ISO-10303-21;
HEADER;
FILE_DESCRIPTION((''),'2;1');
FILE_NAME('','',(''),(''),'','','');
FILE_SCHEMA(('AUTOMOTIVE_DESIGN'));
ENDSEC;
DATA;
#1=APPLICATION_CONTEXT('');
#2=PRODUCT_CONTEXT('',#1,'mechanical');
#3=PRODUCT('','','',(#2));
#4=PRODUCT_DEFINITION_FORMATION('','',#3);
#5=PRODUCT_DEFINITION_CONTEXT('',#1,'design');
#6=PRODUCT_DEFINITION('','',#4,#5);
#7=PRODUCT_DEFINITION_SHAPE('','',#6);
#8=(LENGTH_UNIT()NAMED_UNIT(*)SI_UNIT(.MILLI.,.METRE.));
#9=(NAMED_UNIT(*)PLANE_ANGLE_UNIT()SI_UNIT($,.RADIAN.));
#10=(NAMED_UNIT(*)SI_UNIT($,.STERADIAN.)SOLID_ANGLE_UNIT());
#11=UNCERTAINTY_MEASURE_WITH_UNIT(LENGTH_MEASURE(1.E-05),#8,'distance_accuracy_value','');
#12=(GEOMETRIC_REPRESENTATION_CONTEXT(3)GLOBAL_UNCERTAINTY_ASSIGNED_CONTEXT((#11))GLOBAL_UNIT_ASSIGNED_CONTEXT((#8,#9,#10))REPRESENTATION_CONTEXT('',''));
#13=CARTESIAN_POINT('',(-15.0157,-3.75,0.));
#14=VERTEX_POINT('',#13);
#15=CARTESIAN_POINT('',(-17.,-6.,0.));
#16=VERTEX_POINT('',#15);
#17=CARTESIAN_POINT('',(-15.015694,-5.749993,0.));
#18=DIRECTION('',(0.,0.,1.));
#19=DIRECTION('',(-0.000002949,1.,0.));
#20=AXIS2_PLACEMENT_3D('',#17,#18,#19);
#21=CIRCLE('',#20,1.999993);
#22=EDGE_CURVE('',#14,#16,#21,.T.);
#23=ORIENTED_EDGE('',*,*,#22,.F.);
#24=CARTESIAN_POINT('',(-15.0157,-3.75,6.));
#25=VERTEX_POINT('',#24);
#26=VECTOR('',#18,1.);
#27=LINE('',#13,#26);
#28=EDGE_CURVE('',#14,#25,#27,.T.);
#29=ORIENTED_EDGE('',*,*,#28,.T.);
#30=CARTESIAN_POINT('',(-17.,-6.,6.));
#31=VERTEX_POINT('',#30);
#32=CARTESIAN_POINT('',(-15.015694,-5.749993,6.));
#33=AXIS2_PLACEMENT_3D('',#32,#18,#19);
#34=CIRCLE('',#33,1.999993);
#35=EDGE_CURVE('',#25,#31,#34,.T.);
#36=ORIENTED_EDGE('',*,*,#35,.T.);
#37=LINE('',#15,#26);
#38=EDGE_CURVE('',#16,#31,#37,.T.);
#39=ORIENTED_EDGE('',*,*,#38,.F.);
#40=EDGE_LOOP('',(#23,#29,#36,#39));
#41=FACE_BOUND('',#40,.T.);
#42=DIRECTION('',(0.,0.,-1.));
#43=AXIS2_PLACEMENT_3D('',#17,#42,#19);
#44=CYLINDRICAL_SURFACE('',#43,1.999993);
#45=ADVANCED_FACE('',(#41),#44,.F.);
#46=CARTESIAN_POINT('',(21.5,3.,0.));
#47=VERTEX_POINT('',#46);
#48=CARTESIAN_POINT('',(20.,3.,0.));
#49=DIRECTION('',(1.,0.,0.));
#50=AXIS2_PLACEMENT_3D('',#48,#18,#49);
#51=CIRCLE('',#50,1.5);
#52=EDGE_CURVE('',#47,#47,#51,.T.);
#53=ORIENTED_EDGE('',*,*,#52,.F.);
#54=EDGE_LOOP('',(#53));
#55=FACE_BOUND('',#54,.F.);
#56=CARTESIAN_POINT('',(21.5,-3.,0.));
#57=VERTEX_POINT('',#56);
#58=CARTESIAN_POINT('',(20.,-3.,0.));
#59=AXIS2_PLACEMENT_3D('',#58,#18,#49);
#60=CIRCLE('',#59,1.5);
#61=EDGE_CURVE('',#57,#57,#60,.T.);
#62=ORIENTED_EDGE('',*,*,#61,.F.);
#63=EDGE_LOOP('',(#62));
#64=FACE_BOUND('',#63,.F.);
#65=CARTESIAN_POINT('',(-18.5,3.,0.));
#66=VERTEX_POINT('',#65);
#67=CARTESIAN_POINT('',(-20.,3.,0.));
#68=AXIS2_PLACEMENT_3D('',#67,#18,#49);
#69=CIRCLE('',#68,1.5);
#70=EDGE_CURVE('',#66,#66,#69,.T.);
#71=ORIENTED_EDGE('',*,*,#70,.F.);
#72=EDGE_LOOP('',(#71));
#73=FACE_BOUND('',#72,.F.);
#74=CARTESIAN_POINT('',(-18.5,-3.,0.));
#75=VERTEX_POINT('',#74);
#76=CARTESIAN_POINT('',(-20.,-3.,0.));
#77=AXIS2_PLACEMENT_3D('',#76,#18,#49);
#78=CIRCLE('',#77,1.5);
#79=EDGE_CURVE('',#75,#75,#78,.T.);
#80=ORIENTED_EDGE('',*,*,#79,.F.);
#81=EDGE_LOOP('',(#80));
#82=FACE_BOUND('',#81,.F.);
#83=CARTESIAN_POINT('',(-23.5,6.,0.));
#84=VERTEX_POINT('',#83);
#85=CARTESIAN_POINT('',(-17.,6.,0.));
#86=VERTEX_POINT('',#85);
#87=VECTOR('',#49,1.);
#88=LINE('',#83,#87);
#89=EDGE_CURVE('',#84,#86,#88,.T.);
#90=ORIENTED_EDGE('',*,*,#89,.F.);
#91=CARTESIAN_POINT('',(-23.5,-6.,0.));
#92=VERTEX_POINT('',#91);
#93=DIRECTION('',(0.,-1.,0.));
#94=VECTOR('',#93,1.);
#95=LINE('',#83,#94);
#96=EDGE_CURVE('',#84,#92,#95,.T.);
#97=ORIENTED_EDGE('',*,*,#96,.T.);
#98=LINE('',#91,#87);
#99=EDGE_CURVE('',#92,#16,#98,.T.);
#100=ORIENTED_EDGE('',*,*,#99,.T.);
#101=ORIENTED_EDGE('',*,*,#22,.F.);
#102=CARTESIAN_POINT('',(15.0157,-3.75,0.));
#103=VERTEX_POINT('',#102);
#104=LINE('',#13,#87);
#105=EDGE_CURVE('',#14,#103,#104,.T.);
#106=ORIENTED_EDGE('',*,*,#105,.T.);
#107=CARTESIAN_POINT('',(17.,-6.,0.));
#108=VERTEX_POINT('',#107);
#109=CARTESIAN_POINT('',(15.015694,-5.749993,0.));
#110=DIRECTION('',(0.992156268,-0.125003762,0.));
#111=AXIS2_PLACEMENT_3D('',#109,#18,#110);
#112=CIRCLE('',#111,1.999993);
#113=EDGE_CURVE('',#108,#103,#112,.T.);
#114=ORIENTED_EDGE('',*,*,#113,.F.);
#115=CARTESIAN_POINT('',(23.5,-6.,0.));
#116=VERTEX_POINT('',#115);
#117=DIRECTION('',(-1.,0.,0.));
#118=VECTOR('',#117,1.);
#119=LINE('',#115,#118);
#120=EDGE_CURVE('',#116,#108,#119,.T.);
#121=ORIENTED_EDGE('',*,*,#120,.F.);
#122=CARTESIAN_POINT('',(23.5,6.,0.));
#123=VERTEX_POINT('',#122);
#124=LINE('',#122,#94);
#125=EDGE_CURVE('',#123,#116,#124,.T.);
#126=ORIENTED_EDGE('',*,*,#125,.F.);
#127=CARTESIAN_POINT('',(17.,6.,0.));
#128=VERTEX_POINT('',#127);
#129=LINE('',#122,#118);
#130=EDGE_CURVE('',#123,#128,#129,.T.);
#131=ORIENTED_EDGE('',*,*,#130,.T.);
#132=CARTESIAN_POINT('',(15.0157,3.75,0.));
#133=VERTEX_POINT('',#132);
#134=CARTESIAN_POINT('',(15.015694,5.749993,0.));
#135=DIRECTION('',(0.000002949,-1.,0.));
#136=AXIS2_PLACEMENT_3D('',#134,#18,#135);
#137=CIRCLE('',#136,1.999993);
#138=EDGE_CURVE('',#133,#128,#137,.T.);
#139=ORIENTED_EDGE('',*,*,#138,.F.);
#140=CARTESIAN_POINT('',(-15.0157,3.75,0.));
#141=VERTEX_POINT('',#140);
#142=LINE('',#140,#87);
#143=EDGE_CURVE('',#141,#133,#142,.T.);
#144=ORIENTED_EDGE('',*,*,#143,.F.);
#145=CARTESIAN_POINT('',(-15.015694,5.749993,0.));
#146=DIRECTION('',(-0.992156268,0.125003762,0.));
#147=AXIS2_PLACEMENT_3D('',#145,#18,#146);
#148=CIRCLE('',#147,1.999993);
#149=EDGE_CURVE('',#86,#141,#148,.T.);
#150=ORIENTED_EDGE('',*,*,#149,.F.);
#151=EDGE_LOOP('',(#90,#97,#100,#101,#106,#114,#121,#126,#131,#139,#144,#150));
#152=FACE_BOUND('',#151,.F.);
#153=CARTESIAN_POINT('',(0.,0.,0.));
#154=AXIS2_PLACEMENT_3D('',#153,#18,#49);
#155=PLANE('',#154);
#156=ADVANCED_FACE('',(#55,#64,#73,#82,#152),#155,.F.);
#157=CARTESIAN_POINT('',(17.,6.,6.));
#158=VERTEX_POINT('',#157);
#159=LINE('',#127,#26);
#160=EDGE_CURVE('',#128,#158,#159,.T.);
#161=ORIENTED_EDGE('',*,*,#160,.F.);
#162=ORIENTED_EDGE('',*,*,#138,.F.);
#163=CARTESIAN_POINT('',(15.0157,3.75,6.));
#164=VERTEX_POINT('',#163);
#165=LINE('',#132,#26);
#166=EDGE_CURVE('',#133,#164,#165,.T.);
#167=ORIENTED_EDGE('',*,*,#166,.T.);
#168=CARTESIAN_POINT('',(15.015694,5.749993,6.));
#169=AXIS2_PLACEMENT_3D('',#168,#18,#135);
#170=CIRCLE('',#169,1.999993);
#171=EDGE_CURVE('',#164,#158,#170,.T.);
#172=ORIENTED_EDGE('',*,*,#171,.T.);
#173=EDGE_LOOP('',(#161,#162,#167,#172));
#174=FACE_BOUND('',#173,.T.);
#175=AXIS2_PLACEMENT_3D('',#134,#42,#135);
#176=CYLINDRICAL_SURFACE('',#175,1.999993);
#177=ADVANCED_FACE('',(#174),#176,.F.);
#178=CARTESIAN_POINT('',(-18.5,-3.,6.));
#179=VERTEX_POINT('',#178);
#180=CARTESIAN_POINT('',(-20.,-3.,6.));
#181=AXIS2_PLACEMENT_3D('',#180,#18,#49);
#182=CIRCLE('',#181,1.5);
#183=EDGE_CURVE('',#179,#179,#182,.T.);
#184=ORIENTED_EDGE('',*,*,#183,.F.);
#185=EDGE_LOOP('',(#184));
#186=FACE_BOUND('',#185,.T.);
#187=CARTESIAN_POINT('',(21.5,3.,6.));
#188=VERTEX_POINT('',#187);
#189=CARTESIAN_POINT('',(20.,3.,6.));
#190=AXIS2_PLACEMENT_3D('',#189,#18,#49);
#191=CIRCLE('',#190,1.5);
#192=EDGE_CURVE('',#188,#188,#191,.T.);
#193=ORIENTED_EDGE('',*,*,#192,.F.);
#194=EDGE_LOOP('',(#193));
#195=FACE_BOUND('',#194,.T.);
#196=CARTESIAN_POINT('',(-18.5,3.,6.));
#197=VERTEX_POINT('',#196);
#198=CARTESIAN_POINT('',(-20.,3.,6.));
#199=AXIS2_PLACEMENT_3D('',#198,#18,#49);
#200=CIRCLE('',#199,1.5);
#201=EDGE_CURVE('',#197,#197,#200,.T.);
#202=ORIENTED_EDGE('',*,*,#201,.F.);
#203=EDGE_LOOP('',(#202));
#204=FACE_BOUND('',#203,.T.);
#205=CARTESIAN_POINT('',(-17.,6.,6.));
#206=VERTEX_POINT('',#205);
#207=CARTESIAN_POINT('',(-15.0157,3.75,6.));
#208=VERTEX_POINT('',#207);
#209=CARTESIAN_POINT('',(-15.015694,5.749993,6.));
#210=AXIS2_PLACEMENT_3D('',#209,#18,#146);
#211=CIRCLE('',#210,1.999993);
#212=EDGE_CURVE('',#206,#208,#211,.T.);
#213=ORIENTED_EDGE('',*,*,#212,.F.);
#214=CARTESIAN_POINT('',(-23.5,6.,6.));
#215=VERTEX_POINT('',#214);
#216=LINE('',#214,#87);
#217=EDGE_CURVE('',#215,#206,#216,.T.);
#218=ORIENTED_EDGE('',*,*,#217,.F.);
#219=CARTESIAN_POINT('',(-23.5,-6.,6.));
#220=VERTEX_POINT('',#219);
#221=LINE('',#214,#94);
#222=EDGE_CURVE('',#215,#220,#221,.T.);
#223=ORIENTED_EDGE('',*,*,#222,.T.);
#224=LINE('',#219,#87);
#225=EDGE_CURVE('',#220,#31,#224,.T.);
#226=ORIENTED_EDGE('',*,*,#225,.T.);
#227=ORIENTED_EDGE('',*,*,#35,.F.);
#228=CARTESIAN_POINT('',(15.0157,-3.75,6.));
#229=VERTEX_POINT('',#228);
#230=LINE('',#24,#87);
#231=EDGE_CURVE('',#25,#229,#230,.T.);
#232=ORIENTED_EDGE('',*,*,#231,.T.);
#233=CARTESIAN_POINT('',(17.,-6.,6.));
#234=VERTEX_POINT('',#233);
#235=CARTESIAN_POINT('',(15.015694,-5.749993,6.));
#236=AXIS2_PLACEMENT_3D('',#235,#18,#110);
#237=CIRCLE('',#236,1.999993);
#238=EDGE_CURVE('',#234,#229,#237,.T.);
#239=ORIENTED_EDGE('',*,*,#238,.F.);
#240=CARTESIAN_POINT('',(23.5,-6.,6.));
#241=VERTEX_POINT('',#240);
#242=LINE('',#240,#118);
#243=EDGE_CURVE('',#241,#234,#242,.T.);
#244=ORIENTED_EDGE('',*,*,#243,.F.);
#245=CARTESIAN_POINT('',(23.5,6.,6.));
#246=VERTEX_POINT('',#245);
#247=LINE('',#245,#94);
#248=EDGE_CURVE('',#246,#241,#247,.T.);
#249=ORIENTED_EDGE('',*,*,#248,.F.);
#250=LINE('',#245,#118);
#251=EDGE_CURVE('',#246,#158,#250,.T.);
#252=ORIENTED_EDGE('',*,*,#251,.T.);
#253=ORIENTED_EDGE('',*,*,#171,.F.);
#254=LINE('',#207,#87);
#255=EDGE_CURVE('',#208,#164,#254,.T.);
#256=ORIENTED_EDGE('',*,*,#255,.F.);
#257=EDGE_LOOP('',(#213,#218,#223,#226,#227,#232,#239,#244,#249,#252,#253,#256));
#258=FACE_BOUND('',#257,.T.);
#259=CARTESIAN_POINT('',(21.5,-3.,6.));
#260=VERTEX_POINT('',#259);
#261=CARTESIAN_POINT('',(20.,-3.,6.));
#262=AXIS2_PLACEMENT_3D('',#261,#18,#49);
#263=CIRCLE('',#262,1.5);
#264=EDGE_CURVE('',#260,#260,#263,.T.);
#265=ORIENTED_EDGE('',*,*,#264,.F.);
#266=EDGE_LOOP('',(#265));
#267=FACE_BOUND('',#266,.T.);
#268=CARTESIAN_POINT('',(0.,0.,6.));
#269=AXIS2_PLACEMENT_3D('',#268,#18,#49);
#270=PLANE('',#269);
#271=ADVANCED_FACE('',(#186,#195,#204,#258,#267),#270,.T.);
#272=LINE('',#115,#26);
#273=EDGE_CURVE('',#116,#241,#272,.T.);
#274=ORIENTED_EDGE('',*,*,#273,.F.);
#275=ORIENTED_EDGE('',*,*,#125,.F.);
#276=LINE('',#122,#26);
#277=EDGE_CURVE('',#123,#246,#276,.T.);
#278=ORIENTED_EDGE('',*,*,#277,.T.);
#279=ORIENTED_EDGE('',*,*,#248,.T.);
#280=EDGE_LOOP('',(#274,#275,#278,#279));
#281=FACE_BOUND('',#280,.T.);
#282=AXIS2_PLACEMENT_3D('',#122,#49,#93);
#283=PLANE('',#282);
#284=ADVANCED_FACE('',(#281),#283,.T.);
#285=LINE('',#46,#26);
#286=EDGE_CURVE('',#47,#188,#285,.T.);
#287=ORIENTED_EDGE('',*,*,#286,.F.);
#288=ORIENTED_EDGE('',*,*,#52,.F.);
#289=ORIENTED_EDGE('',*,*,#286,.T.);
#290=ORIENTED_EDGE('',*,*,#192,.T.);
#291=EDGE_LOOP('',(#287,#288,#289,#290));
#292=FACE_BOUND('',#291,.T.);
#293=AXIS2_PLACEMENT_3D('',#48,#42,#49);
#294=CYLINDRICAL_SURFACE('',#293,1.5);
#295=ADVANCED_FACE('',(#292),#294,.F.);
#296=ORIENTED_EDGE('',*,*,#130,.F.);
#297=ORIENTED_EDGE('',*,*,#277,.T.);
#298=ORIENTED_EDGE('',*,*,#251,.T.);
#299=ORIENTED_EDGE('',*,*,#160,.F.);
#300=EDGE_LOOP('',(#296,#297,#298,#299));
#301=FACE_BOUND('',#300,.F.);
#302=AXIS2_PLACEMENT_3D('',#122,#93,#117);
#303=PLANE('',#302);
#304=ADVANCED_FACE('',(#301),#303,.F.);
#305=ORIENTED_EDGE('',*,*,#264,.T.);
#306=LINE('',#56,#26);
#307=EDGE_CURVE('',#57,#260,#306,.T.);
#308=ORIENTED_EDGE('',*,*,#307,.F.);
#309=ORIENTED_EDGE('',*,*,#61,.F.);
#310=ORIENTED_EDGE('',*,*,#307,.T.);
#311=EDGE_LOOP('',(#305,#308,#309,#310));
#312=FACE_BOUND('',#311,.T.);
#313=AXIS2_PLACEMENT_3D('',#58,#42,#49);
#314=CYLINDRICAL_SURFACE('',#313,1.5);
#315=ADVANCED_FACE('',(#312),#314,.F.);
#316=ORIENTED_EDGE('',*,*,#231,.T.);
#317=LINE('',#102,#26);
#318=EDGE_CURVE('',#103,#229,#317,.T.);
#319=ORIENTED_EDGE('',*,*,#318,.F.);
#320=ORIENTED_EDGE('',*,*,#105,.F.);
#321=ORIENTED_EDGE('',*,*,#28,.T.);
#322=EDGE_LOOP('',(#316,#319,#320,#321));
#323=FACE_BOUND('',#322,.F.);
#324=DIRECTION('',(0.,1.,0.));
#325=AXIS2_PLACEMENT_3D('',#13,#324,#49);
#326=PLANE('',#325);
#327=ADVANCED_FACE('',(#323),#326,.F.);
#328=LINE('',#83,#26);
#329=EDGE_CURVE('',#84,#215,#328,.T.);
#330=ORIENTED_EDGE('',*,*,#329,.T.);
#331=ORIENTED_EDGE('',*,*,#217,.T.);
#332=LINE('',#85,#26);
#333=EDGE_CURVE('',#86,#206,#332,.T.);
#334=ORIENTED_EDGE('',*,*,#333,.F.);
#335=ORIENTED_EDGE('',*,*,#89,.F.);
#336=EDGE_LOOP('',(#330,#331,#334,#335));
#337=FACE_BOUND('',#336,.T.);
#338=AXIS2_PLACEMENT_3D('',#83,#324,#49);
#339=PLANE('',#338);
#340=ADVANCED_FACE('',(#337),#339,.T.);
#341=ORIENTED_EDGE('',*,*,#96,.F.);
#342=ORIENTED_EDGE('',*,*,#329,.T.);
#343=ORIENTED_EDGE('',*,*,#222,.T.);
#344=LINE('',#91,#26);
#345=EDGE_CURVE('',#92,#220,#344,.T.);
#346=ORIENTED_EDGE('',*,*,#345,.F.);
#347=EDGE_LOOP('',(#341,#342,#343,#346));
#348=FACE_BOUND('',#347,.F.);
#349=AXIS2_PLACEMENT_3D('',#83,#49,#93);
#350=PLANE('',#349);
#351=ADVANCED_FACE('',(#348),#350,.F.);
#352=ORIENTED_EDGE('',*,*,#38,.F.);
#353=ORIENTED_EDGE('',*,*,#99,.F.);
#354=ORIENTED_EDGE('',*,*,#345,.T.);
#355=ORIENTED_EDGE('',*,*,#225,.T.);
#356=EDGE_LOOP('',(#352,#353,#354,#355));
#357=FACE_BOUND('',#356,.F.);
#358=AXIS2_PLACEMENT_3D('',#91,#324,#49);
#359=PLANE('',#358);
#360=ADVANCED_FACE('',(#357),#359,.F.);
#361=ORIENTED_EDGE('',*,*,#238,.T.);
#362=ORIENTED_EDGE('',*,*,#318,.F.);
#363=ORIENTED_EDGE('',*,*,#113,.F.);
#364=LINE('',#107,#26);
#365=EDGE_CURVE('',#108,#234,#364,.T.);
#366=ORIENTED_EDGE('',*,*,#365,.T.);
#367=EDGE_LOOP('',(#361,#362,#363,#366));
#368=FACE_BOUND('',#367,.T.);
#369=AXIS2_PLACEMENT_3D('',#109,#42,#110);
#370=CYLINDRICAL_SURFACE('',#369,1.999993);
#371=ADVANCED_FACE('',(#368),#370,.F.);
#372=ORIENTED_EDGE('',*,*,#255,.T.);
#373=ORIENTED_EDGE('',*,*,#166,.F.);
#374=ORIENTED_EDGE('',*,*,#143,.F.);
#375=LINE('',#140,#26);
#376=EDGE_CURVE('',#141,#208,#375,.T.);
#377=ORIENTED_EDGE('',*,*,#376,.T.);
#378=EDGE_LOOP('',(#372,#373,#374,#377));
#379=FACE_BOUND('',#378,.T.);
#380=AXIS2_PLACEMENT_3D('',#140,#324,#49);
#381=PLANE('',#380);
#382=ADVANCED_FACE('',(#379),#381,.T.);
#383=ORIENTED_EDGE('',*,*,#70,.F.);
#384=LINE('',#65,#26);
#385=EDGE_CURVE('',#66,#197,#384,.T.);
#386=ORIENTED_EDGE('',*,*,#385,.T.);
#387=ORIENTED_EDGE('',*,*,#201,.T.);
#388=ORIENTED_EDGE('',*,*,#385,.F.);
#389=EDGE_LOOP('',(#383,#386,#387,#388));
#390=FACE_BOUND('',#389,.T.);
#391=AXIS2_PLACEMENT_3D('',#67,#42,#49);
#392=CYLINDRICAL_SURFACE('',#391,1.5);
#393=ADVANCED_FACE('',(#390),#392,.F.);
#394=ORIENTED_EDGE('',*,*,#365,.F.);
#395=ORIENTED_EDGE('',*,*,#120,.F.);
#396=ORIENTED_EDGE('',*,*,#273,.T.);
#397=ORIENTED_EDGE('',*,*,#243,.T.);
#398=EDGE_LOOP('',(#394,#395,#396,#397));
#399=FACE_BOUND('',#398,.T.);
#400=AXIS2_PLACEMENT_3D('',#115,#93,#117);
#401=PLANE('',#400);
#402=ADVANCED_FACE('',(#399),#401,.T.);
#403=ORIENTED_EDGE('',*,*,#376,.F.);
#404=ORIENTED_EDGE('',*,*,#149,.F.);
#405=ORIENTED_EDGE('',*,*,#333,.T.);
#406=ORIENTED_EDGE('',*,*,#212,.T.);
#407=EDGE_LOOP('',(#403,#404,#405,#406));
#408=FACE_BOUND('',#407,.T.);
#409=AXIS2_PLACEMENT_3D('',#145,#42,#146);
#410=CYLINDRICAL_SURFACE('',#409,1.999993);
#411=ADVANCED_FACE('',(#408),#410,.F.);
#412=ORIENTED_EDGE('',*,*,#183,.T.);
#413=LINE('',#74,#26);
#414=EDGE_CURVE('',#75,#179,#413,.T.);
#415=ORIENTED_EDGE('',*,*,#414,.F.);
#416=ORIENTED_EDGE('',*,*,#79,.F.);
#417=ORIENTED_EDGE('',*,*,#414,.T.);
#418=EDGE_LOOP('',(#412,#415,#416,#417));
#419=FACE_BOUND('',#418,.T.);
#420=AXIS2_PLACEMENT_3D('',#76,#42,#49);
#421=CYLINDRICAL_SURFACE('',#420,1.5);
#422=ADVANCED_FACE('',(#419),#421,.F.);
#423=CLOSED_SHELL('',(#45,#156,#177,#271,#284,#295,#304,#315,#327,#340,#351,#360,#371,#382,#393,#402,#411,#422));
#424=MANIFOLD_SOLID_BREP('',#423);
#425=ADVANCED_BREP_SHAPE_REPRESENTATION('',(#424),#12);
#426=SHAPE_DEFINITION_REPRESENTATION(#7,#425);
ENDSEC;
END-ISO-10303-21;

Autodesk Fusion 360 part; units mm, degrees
sketch "Sketch3" plane through (0, 0, 0) normal (0, 0, 1) x (1, 0, 0)
  line L0 (-23.5, 0) -> (23.5, 0) construction
  line L1 (-23.5, 6) -> (-23.5, -6)
  line L2 (23.5, 6) -> (23.5, -6)
  line L3 (-15.0157, -3.75) -> (15.0157, -3.75)
  line L4 (-15.0157, 3.75) -> (15.0157, 3.75)
  line L5 (0, 3.75) -> (0, -3.75) construction
  line L6 (-23.5, -6) -> (-17, -6)
  arc A0 (-15.0157, -3.75) -> (-17, -6) centre (-15.0157, -5.75) ccw
  line L7 (23.5, -6) -> (17, -6)
  arc A1 (17, -6) -> (15.0157, -3.75) centre (15.0157, -5.75) ccw
  line L8 (-23.5, 6) -> (-17, 6)
  arc A2 (-17, 6) -> (-15.0157, 3.75) centre (-15.0157, 5.75) ccw
  line L9 (-15.0157, 3.75) -> (15.0157, 3.75)
  arc A3 (15.0157, 3.75) -> (17, 6) centre (15.0157, 5.75) ccw
  line L10 (23.5, 6) -> (17, 6)
  circle A4 centre (-20, 3) radius 1.5
  circle A5 centre (-20, -3) radius 1.5
  circle A6 centre (20, 3) radius 1.5
  circle A7 centre (20, -3) radius 1.5
  line L11 (-20, 3) -> (-20, -3) construction
  line L12 (20, 3) -> (20, -3) construction
  line L13 (20, -3) -> (-20, -3) construction
  line L14 (-20, -3) -> (20, 3) construction
  dimension "d9" = 47
  dimension "d10" = 12
  dimension "d13" = 7.5
  dimension "d14" = 2
  dimension "d15" = 34
  dimension "d16" = 2
  dimension "d17" = 3
  dimension "d18" = 3
  dimension "d19" = 3
  dimension "d20" = 3
  dimension "d21" = 40
  dimension "d22" = 6
  dimension "d23" = 6
extrude "Extrude2" add sketch "Sketch3" along normal blind 6
